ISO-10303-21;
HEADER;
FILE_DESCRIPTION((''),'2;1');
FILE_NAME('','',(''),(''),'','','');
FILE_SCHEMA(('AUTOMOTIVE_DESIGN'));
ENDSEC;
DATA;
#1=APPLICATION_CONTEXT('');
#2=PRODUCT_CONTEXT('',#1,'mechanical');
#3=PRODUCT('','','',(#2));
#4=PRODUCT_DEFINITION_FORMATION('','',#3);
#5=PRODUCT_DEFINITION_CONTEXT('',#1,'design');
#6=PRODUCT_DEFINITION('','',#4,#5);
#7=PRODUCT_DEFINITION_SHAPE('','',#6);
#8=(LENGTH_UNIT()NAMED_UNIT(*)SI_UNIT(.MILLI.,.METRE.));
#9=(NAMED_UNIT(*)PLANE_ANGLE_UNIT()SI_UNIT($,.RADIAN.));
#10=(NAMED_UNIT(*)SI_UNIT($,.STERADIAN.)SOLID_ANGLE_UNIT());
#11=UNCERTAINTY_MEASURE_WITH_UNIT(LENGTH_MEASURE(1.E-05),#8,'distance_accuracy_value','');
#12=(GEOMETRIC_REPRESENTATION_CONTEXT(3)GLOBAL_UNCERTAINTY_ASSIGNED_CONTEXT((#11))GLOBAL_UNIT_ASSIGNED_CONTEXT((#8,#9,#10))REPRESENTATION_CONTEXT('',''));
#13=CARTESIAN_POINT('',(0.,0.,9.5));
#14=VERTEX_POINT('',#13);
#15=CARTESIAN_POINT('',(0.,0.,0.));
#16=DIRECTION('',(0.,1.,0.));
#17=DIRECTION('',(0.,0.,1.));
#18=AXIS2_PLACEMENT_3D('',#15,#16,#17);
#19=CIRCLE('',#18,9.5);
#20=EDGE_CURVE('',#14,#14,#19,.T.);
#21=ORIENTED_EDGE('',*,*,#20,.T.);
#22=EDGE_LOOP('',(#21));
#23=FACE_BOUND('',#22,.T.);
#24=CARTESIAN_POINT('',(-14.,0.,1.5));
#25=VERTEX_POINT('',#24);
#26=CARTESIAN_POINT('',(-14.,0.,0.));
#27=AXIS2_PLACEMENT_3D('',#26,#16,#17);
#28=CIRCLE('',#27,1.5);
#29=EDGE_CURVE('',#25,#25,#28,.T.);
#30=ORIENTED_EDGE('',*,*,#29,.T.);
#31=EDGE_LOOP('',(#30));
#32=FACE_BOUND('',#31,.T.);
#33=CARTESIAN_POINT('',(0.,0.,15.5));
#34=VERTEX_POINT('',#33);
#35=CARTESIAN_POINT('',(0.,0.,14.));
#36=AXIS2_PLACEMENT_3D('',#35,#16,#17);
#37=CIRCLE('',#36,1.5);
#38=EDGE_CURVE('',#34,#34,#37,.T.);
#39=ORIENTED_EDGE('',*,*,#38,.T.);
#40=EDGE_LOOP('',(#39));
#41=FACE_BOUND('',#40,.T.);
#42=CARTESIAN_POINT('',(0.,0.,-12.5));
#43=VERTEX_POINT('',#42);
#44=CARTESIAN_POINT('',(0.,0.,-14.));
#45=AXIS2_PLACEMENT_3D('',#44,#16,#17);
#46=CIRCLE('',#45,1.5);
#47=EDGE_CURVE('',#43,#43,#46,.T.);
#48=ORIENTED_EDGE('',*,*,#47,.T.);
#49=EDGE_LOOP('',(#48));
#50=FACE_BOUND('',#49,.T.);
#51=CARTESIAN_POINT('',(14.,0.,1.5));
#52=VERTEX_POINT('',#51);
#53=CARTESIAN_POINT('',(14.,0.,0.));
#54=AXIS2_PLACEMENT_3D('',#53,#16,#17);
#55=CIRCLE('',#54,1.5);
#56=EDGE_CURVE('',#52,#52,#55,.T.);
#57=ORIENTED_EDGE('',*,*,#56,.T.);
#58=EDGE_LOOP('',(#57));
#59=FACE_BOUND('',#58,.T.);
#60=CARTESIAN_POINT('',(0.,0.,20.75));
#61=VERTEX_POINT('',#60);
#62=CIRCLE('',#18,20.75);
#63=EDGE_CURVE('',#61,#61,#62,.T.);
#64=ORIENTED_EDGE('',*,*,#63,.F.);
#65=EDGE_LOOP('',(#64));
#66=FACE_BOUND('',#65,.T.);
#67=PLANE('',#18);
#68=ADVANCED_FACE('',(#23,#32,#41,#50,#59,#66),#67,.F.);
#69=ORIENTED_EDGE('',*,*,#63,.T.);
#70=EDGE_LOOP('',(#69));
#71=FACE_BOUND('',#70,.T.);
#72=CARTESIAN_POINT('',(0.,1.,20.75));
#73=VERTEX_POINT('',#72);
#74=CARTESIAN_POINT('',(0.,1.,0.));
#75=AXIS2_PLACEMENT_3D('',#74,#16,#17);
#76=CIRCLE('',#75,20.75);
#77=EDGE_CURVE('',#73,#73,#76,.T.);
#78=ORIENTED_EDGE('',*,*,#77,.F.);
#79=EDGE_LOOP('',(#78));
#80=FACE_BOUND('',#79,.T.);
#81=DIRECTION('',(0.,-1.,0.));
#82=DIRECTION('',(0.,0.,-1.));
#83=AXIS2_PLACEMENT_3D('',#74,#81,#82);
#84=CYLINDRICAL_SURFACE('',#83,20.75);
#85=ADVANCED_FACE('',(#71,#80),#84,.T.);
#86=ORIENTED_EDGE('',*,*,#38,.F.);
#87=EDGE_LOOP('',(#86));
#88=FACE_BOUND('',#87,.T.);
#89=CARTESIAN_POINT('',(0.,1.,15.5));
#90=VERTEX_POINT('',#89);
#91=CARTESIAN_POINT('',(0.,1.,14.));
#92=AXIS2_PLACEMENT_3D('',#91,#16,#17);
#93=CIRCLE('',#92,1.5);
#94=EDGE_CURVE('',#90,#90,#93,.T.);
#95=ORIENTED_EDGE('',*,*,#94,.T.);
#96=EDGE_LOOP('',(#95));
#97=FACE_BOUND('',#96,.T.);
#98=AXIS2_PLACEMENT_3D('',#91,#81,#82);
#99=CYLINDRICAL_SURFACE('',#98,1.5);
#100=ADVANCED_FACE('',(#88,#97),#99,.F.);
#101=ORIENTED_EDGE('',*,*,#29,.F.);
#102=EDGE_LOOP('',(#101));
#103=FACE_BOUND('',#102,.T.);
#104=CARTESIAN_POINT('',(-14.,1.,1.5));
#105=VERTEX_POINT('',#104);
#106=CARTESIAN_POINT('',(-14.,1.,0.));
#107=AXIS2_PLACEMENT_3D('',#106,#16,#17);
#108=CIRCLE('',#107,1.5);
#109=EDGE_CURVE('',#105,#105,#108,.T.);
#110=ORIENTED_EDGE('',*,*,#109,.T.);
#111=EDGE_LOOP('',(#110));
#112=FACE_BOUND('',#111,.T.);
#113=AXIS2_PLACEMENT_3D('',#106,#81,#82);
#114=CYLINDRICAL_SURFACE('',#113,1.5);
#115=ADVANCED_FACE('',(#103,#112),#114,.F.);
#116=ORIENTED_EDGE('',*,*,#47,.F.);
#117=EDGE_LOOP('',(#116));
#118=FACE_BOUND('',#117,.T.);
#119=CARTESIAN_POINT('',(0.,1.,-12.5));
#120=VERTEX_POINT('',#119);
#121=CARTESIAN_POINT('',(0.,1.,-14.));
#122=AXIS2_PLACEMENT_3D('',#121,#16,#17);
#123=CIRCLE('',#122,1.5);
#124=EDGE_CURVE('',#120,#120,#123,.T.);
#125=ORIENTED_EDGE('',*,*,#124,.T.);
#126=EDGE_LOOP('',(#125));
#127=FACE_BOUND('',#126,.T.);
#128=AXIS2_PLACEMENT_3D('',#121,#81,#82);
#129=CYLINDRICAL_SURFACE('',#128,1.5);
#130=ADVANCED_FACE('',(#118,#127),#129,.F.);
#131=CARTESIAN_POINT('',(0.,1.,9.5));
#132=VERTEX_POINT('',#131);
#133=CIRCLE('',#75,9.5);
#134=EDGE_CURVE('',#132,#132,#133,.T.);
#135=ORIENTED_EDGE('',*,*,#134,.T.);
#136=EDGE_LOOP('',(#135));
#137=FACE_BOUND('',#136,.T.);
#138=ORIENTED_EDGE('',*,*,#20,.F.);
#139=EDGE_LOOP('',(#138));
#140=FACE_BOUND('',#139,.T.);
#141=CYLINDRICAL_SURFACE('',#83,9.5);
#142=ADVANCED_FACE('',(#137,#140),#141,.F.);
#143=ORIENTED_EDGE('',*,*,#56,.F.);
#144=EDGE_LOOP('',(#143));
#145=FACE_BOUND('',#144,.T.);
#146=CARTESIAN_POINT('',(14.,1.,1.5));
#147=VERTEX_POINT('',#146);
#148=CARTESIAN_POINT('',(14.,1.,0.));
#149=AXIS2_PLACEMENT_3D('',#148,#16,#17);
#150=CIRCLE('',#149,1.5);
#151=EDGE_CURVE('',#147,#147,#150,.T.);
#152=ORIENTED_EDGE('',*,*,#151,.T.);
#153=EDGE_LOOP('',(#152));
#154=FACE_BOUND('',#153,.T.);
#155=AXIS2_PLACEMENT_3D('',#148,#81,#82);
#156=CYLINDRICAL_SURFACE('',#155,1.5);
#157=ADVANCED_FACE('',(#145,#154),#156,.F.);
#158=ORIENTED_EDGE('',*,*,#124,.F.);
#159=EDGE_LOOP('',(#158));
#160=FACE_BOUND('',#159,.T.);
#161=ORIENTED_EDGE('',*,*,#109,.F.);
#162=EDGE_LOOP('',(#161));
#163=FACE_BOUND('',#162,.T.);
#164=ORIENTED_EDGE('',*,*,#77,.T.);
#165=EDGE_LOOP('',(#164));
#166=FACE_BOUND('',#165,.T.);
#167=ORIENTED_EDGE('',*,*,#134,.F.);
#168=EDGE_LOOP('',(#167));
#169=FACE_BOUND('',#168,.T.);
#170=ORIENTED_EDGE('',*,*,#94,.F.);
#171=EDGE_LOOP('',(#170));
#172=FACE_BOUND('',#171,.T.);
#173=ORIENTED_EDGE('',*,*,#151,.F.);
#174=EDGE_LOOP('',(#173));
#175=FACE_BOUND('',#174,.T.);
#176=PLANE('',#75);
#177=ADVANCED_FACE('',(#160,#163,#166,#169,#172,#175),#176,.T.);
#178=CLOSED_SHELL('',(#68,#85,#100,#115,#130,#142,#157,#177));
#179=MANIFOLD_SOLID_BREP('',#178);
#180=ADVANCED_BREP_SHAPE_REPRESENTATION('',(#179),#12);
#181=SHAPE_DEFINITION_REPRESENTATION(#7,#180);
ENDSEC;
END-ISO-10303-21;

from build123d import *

# Parameters (mm, degrees)
SKETCH_1_R      = 20.75
SKETCH_1_R_2    = 1.5
SKETCH_1_R_3    = 9.5
EXTRUDE_2_DEPTH = 1


with BuildPart() as part:
    # 草图1 → 凸台-拉伸2 (new body)
    with BuildSketch(Plane(origin=(0, 0, 0), x_dir=(1, 0, 0), z_dir=(0, 1, 0))):
        with Locations(Location((0, 0, 0), (0, 0, 270))):
            Circle(SKETCH_1_R)
        with Locations(Location((0, 14, 0), (0, 0, 270))):
            Circle(SKETCH_1_R_2, mode=Mode.SUBTRACT)
        with Locations(Location((-14, 0, 0), (0, 0, 270))):
            Circle(SKETCH_1_R_2, mode=Mode.SUBTRACT)
        with Locations(Location((0, -14, 0), (0, 0, 270))):
            Circle(SKETCH_1_R_2, mode=Mode.SUBTRACT)
        with Locations(Location((14, 0, 0), (0, 0, 270))):
            Circle(SKETCH_1_R_2, mode=Mode.SUBTRACT)
        with Locations(Location((0, 0, 0), (0, 0, 270))):
            Circle(SKETCH_1_R_3, mode=Mode.SUBTRACT)
    extrude(amount=EXTRUDE_2_DEPTH)


solid = part.part
